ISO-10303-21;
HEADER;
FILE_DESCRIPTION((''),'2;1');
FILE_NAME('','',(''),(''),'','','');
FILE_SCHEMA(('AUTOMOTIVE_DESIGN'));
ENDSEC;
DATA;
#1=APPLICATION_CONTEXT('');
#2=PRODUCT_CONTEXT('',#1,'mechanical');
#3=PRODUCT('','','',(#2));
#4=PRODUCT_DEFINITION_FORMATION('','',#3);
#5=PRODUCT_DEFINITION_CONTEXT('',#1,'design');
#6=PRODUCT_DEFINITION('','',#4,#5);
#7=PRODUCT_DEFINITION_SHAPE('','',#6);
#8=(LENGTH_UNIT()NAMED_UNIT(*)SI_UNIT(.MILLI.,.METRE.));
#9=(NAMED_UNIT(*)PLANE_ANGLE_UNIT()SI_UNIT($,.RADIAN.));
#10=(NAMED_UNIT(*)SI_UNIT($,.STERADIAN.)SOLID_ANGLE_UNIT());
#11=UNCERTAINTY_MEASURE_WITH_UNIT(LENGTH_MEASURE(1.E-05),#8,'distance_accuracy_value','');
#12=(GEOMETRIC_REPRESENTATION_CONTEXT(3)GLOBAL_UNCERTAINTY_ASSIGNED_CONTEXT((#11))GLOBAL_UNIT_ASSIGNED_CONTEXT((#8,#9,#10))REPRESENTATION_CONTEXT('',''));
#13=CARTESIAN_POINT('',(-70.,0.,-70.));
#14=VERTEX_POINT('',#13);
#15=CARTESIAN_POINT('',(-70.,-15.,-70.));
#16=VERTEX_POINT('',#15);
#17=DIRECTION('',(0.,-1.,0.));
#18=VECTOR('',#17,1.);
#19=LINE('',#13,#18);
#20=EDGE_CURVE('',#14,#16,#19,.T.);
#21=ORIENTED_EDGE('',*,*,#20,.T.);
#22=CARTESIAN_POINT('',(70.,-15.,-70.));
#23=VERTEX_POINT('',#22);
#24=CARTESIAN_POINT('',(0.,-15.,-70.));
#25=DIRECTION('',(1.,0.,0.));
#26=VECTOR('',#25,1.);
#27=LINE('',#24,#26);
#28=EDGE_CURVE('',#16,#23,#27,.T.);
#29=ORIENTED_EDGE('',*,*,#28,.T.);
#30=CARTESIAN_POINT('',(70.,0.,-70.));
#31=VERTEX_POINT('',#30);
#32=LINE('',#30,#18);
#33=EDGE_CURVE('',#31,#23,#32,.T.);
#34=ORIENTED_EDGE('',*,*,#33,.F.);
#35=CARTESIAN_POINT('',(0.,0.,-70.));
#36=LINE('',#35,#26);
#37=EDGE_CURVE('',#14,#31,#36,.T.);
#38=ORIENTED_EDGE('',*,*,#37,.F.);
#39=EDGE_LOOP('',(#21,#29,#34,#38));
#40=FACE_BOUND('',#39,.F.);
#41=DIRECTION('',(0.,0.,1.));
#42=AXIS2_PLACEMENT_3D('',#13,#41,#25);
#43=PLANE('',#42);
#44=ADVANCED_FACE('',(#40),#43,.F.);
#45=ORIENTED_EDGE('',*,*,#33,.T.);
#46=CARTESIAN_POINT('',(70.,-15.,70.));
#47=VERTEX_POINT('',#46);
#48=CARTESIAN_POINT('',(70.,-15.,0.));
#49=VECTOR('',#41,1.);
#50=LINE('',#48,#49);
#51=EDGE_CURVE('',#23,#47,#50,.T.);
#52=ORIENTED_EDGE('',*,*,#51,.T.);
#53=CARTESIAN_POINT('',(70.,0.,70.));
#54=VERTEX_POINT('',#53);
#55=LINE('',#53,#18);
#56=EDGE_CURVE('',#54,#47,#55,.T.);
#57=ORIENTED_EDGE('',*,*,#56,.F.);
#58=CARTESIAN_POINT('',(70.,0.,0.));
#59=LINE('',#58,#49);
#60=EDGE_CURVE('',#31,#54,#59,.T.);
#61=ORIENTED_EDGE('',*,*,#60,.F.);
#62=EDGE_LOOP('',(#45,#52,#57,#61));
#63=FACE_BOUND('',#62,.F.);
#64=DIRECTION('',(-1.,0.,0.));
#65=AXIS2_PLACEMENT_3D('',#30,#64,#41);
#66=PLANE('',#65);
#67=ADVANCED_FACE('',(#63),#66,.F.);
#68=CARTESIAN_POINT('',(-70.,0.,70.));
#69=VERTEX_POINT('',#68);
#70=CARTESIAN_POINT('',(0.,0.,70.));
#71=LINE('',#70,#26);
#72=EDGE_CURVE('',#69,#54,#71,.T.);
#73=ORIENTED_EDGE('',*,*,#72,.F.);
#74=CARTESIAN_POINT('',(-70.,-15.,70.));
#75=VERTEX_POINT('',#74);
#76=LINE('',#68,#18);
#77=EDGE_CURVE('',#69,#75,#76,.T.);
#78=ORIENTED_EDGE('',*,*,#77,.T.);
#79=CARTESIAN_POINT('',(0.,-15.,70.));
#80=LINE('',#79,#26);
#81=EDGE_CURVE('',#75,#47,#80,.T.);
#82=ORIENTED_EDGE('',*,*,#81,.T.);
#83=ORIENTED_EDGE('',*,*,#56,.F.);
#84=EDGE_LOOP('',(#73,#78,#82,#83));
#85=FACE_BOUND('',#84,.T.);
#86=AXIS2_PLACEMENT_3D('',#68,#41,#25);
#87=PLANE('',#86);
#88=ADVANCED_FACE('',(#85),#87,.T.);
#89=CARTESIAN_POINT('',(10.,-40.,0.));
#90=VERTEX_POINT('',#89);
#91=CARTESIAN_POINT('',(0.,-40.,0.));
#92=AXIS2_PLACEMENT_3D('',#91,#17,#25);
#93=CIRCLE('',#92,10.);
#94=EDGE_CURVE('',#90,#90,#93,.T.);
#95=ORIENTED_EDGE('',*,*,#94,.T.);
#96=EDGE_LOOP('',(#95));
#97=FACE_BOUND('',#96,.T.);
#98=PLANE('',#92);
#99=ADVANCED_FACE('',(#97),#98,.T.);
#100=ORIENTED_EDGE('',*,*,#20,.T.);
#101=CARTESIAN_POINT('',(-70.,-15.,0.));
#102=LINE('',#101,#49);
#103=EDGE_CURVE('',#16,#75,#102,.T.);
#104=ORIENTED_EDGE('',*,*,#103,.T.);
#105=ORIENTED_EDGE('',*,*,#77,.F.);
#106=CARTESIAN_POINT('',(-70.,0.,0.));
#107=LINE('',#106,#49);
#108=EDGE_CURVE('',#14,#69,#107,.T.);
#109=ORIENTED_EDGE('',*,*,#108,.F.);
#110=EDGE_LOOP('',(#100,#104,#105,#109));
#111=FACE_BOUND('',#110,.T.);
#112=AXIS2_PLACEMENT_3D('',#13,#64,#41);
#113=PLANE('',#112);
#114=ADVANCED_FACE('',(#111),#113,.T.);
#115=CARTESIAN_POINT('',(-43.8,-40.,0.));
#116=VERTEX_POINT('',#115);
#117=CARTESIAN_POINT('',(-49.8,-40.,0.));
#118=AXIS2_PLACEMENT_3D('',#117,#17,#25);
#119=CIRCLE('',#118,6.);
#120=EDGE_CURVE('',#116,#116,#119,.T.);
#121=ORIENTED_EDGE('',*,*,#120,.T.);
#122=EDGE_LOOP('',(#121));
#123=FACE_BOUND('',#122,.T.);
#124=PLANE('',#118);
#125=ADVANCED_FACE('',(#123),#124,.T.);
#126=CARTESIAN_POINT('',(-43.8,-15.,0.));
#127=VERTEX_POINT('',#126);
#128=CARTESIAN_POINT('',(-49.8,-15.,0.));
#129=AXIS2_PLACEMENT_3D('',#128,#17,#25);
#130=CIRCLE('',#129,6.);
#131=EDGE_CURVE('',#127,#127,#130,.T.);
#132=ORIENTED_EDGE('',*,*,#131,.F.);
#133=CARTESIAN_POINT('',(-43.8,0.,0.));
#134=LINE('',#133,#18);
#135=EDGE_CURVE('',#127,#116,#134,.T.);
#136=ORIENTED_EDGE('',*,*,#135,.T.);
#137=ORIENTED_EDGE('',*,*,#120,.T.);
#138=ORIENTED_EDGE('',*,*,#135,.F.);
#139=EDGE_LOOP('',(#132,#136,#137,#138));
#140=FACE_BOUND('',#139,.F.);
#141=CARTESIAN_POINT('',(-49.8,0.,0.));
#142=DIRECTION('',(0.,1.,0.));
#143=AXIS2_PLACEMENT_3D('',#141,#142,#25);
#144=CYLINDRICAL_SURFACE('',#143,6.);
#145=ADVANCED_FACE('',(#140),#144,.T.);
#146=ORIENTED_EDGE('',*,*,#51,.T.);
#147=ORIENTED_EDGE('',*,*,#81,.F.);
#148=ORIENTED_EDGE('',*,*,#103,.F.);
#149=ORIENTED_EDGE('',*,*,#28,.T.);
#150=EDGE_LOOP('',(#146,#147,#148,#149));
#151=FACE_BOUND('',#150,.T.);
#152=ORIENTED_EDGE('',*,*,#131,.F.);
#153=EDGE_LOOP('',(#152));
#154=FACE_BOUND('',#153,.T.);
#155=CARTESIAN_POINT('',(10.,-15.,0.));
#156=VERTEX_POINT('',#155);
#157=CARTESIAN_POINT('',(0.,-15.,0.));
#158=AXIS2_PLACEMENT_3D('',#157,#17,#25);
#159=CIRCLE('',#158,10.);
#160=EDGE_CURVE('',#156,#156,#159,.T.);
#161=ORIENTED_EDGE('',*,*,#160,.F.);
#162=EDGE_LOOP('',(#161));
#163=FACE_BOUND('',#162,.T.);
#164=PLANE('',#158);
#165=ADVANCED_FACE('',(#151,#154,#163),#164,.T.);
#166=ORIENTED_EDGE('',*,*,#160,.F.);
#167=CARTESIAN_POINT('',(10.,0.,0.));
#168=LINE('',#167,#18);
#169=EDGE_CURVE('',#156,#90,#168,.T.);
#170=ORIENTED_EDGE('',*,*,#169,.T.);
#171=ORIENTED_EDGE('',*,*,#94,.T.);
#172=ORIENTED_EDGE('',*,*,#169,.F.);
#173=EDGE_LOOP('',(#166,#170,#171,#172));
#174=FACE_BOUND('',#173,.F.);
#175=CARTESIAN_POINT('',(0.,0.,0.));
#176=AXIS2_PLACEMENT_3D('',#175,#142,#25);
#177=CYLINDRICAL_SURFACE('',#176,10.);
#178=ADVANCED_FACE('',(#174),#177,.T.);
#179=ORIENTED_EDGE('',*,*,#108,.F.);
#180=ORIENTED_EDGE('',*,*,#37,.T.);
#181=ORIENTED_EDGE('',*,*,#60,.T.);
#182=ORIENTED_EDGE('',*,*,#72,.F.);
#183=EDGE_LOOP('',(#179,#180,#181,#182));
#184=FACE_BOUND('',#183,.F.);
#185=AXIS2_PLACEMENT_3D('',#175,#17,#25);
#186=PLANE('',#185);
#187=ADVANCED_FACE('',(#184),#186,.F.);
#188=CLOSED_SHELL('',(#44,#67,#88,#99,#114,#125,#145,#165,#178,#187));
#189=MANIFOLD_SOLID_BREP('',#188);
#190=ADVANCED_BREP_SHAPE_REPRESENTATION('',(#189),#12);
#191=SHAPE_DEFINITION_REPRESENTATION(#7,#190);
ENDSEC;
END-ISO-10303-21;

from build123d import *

# Parameters (mm, degrees)
F0_R     = 6
F1_DEPTH = 40
F0_R_2   = 10
F0_W     = 140
F0_H     = 140
F2_DEPTH = 15


with BuildPart() as f1:
    # F0 (on Front) → F1 (new body)
    with BuildSketch(Plane.XZ):
        with Locations((-49.8, 0)):
            Circle(F0_R)
    extrude(amount=F1_DEPTH)



with BuildPart() as f1b:
    # F0 (on Front) → F1, piece 2 (new body)
    with BuildSketch(Plane.XZ):
        Circle(F0_R_2)
    extrude(amount=F1_DEPTH)


with BuildPart() as f1_1:
    add(f1.part)

    add(f1b.part)  # F2 merges F1b
    # F0 (on Front) → F2 (join)
    with BuildSketch(Plane.XZ):
        Rectangle(F0_W, F0_H)
        with Locations((-49.8, 0)):
            Circle(F0_R, mode=Mode.SUBTRACT)
        Circle(F0_R_2, mode=Mode.SUBTRACT)
    extrude(amount=F2_DEPTH)


solid = f1_1.part
